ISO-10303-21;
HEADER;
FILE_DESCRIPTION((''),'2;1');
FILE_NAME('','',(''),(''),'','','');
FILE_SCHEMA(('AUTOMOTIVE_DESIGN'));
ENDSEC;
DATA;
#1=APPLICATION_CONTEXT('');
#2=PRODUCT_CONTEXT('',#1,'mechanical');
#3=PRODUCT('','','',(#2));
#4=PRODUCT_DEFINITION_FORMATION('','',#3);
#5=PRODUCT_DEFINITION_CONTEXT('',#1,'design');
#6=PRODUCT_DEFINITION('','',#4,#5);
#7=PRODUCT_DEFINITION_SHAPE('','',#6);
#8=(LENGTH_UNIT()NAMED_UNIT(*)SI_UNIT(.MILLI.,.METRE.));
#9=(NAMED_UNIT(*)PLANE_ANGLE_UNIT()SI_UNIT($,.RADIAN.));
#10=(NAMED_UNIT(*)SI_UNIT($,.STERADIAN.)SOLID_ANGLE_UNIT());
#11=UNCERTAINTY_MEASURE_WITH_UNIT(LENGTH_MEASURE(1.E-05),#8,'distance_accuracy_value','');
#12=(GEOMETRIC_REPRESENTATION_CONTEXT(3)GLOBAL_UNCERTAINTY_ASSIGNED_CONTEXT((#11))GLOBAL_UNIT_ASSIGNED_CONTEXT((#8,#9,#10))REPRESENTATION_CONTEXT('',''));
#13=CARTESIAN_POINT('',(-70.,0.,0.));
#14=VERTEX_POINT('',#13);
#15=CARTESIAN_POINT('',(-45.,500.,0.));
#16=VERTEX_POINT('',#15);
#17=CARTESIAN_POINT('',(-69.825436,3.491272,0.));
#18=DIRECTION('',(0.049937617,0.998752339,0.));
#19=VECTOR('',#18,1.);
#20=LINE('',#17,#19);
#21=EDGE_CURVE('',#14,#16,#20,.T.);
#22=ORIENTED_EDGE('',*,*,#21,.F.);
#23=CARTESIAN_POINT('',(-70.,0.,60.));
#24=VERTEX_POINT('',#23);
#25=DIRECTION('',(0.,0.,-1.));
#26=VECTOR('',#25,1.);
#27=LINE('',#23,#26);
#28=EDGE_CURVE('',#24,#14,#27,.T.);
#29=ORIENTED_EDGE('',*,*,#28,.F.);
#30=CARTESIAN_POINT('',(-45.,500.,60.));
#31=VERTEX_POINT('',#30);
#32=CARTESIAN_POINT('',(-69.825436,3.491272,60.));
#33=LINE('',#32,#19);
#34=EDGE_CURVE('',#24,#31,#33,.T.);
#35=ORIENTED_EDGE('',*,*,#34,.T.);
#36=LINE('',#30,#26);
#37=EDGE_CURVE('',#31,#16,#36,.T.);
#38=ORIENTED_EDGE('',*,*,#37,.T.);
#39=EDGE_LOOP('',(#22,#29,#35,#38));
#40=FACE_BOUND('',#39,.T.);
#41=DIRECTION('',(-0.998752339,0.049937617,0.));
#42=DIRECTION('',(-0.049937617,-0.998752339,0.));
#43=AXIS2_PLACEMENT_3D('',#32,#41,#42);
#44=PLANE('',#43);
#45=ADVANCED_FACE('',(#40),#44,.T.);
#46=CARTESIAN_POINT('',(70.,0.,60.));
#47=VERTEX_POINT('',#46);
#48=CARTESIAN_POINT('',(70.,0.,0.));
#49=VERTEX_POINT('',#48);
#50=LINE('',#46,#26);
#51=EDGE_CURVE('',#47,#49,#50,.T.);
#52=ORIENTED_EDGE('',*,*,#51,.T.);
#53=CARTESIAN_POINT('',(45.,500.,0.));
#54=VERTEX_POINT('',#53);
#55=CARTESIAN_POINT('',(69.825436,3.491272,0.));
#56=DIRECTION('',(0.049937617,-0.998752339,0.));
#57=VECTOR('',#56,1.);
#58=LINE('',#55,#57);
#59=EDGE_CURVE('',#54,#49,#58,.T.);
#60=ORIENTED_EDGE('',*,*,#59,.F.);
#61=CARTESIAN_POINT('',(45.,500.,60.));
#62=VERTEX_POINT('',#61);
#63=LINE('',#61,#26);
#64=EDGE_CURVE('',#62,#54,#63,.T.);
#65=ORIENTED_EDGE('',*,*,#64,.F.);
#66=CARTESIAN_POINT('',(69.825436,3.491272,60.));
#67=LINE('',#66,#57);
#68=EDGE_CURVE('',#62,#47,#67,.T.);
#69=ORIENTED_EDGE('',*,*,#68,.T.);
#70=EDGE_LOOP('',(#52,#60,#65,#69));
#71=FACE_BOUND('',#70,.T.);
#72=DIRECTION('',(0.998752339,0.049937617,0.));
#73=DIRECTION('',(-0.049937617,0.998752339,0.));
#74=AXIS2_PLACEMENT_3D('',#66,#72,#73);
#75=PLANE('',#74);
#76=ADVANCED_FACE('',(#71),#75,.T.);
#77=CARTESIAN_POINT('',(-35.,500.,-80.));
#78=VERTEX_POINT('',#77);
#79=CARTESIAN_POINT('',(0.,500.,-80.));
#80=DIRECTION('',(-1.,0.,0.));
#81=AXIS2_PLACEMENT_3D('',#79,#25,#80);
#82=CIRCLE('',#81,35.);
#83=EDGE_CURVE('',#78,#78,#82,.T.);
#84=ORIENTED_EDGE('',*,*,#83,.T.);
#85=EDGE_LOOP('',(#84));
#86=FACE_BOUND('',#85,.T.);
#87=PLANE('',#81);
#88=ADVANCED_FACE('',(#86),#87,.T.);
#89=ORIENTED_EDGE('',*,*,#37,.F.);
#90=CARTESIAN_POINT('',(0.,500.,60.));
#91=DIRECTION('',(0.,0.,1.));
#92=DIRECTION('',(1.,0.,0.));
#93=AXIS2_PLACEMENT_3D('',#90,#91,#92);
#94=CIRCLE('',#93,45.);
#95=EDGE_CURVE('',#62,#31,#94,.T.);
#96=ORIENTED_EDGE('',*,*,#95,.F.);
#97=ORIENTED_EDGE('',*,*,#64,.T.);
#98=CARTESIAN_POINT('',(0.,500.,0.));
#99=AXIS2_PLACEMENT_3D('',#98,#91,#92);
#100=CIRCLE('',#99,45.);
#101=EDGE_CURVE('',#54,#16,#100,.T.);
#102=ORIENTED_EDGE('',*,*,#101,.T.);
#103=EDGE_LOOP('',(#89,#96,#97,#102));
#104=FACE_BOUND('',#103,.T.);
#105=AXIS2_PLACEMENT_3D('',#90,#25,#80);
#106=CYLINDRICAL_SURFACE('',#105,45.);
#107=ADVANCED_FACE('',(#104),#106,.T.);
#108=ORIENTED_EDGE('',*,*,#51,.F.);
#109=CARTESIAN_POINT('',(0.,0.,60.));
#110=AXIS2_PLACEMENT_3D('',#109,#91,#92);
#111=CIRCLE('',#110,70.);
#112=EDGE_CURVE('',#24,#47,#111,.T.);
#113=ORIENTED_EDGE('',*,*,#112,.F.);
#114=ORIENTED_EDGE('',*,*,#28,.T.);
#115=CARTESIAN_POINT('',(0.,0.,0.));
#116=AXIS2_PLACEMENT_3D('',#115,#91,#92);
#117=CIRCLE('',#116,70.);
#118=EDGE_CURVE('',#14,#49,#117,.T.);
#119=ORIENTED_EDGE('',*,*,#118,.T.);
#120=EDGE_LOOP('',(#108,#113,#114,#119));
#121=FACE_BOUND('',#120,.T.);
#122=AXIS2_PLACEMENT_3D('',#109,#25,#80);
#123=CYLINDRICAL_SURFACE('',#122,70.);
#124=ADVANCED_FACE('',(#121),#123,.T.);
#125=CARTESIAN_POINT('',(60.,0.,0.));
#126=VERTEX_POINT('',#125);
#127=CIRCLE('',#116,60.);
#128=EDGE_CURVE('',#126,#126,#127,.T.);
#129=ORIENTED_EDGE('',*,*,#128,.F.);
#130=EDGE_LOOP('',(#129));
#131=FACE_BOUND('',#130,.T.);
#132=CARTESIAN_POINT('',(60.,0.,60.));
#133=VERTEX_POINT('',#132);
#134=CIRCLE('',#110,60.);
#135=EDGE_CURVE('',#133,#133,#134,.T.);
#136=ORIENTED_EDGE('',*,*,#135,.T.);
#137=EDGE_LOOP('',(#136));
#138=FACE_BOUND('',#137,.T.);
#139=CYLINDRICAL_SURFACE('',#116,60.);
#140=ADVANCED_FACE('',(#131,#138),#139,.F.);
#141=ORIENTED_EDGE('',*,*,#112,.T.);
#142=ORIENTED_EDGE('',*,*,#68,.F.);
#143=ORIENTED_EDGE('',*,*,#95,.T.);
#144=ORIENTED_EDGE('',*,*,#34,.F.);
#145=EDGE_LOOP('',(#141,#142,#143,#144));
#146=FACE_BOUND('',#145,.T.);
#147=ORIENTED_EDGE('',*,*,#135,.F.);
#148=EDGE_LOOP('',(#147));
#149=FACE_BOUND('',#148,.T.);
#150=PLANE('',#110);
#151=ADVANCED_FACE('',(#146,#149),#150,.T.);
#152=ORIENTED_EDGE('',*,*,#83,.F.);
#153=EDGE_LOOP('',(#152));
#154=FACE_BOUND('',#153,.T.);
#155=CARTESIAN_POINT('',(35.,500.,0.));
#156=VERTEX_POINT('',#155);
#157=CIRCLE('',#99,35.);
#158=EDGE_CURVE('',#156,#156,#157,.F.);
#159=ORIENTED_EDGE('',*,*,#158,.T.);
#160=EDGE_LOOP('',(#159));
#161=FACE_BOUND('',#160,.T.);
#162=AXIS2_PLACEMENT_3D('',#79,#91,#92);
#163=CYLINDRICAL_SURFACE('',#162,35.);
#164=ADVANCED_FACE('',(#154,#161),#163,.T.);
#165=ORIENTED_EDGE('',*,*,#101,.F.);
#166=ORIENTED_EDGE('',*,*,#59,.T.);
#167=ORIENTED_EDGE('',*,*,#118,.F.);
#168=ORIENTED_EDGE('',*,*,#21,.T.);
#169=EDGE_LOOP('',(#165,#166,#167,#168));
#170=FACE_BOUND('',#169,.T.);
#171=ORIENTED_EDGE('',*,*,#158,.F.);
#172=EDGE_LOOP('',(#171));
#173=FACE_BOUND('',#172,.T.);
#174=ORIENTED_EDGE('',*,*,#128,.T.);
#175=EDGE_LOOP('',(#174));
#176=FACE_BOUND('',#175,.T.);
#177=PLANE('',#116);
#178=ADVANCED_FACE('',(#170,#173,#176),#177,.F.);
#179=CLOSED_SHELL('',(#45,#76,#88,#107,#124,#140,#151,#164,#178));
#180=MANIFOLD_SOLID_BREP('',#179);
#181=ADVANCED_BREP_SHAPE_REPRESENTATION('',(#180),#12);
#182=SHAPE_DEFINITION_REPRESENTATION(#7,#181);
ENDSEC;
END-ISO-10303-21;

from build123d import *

# Parameters (mm, degrees)
EXTRUDE_1_DEPTH     = 60
SKETCH_2_R          = 60
CUT_EXTRUDE_1_DEPTH = 60
SKETCH_3_R          = 35
EXTRUDE_2_DEPTH     = 80


with BuildPart() as part:
    # Эскиз1 → Бобышка-Вытянуть1 (new body)
    with BuildSketch(Plane.XY):
        with BuildLine():
            Line((-69.650872818, 6.982543641), (-70, 0))
            ThreePointArc((-70, 0), (0, -70), (70, 0))
            Line((70, 0), (69.650872818, 6.982543641))
            Line((69.650872818, 6.982543641), (45, 500))
            ThreePointArc((45, 500), (0, 545), (-45, 500))
            Line((-45, 500), (-69.650872818, 6.982543641))
        make_face()
    extrude(amount=EXTRUDE_1_DEPTH)

    # Эскиз2 → Вырез-Вытянуть1 (cut)
    with BuildSketch(Plane.XY.offset(60)):
        Circle(SKETCH_2_R)
    extrude(amount=-CUT_EXTRUDE_1_DEPTH, mode=Mode.SUBTRACT)

    # Эскиз3 → Бобышка-Вытянуть2 (add)
    with BuildSketch(Plane(origin=(0, 0, 0), x_dir=(-1, 0, 0), z_dir=(0, 0, -1))):
        with Locations((0, 500)):
            Circle(SKETCH_3_R)
    extrude(amount=EXTRUDE_2_DEPTH)


solid = part.part
